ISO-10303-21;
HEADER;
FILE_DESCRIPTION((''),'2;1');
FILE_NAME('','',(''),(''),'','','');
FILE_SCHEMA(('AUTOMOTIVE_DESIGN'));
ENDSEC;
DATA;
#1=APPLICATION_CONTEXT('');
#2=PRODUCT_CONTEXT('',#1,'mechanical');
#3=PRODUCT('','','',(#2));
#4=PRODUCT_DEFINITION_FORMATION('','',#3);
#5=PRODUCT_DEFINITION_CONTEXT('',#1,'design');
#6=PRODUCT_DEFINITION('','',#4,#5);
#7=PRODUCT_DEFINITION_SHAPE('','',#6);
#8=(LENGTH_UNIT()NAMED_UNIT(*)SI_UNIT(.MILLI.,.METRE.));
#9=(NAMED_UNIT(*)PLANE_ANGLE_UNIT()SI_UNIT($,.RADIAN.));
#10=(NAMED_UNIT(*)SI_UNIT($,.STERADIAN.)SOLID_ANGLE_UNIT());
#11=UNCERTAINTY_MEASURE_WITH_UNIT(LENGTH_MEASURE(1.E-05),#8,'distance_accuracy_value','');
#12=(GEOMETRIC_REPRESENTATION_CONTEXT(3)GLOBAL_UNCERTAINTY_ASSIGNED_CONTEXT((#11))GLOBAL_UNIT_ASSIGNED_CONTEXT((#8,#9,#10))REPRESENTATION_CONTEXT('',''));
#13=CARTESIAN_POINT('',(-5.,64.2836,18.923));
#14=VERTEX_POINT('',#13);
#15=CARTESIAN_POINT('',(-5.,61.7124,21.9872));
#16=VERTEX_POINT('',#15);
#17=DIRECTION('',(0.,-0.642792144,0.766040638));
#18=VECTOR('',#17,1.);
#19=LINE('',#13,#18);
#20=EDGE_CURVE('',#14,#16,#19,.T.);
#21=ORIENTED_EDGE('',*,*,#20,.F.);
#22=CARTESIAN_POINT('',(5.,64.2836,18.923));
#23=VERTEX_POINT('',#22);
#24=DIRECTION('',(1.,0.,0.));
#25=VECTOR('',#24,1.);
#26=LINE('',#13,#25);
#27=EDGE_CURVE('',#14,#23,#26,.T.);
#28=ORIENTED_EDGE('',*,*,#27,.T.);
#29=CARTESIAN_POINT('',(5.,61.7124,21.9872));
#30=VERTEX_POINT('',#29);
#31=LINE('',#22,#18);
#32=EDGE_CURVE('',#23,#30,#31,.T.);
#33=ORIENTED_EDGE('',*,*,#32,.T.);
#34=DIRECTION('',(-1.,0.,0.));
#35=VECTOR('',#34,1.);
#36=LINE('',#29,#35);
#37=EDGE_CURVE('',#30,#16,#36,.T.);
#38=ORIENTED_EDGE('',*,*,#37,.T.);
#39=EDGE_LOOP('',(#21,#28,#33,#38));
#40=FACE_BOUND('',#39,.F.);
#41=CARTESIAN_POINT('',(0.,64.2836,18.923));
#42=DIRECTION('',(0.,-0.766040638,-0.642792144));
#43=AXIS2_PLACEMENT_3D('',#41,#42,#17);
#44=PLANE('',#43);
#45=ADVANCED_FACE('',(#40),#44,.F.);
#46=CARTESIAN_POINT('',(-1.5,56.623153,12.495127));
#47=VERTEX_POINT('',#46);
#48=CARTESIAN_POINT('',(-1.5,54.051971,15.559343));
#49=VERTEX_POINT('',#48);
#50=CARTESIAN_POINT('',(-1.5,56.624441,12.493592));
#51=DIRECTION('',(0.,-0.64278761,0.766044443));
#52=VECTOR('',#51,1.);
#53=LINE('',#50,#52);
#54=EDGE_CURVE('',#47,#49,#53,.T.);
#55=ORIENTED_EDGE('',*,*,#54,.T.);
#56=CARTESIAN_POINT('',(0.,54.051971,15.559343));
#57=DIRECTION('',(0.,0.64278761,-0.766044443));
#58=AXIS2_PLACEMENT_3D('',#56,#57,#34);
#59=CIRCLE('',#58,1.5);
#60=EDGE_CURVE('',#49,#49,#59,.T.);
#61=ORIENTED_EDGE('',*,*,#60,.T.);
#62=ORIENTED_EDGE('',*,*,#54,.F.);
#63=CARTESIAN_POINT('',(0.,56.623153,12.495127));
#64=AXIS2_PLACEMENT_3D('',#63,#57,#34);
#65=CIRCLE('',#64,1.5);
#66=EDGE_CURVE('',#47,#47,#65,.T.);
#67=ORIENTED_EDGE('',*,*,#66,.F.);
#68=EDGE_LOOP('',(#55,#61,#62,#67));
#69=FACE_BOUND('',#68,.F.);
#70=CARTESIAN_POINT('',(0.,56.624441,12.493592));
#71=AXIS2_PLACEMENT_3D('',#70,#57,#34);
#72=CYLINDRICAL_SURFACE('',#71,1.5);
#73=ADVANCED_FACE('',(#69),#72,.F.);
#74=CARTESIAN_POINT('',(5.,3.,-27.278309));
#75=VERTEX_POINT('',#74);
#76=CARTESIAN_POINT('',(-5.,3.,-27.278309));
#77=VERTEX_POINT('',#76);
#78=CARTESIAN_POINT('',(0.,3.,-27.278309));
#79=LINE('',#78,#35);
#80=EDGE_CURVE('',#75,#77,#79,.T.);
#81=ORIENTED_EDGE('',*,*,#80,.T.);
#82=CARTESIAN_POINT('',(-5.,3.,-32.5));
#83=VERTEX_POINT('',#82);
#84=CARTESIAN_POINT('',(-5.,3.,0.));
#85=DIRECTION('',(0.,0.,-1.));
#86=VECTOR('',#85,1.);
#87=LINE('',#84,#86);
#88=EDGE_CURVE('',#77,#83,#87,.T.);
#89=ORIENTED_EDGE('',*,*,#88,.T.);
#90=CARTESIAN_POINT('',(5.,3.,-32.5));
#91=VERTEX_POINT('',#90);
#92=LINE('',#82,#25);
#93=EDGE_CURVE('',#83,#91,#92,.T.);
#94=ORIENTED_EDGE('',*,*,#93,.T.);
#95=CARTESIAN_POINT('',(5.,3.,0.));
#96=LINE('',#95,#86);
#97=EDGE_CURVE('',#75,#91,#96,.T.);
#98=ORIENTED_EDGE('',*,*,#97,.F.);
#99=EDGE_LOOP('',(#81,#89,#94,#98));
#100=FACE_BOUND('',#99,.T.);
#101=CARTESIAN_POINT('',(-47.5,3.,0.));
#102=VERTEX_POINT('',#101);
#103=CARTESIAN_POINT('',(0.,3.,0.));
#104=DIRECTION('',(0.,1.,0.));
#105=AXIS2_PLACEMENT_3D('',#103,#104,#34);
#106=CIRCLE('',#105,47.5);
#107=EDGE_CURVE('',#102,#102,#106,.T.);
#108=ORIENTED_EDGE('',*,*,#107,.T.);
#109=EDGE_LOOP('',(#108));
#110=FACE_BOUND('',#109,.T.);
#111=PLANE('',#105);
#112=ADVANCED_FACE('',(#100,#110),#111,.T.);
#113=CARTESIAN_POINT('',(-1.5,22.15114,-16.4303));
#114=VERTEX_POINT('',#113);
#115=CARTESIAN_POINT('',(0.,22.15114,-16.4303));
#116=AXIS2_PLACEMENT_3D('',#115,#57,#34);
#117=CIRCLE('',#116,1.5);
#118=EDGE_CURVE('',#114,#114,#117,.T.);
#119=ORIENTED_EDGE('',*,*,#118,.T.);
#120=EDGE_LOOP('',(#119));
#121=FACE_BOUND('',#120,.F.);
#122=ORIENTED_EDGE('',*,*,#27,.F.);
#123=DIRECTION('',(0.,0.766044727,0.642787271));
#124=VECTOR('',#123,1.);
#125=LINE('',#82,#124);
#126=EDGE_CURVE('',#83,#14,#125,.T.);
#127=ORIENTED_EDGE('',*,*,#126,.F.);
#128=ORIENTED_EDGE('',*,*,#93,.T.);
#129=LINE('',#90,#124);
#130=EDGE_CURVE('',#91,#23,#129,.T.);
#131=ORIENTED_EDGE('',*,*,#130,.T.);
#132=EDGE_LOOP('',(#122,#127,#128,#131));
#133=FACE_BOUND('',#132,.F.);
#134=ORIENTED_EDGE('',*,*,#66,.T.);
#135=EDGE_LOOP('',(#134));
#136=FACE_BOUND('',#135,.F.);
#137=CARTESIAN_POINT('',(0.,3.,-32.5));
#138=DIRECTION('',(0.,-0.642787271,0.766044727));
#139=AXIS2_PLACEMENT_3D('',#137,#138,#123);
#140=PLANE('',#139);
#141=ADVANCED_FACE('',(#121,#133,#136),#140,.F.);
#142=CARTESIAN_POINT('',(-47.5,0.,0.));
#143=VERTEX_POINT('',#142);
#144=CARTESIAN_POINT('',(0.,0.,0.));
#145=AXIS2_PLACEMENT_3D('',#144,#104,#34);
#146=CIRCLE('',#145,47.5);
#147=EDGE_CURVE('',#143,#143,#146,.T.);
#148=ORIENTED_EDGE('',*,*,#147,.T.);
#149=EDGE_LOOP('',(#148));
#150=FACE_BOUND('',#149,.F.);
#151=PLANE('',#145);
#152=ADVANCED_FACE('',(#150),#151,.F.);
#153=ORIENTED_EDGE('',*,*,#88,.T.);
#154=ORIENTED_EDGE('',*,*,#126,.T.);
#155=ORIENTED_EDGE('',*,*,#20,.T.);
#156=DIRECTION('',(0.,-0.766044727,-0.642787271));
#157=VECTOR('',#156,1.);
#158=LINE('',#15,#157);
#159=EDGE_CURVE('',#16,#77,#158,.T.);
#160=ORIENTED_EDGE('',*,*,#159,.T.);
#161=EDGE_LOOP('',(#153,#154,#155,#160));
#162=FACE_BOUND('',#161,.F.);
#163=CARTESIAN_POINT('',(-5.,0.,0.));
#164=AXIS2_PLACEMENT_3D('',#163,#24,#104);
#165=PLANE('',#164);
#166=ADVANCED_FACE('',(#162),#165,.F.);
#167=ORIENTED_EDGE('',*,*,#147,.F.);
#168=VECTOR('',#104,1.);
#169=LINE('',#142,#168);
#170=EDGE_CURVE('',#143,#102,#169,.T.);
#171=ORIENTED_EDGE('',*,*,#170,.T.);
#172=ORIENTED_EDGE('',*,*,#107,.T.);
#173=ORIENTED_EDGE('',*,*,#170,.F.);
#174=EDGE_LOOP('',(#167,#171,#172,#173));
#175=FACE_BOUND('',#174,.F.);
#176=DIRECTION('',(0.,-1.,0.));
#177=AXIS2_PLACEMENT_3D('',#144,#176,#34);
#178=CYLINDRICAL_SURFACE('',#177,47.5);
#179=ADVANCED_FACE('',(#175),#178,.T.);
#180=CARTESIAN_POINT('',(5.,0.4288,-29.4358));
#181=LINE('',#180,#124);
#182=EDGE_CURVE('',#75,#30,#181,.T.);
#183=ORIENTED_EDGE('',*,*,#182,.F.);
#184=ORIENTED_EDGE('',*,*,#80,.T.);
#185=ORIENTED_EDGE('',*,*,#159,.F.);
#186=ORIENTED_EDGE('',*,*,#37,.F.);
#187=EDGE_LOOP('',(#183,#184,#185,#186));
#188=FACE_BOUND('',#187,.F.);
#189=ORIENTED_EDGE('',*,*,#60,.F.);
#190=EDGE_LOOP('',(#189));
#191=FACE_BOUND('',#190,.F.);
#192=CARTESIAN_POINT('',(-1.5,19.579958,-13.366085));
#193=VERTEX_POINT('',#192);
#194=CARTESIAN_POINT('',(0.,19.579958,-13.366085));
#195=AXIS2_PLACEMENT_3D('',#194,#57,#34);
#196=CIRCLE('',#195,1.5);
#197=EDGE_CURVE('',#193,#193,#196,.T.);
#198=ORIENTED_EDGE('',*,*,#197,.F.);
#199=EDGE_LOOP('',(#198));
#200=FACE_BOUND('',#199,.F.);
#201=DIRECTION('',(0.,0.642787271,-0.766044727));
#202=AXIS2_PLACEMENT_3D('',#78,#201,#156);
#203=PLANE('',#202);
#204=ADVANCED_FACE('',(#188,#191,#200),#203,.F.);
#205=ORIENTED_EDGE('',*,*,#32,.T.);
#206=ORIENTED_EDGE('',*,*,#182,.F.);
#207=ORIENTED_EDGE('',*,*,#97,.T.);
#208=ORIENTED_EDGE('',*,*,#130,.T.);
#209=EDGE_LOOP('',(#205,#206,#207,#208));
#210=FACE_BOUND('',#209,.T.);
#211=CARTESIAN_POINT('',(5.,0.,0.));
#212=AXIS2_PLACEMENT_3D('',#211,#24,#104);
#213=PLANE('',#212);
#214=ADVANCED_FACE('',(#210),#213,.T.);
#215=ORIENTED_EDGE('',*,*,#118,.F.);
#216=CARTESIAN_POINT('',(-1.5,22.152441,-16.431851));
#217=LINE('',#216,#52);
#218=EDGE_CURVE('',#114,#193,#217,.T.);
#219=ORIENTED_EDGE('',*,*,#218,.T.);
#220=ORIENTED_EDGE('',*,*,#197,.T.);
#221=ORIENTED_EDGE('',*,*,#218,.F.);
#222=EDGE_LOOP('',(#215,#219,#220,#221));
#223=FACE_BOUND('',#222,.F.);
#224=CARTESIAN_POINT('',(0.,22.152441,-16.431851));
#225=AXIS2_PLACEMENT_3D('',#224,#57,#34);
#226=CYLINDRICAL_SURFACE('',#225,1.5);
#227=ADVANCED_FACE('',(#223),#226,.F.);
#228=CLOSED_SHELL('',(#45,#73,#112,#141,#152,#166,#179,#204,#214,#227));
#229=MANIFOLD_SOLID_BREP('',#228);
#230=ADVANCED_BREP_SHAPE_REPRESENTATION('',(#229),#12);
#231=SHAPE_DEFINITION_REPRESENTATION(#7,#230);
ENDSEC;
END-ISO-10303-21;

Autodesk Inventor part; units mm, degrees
ref_plane "YZ Plane" through (0, 0, 0) normal (1, 0, 0) x (0, 1, 0)
ref_plane "XZ Plane" through (0, 0, 0) normal (0, 1, 0) x (-1, 0, 0)
ref_plane "XY Plane" through (0, 0, 0) normal (0, 0, 1) x (1, 0, 0)
sketch "草圖1" plane through (0, 0, 0) normal (0, 1, 0) x (-1, 0, 0)
  circle A0 centre (0, 0) radius 47.5
  dimension "d0" = 95
extrude "擠出1" add sketch "草圖1" along normal blind 3
sketch "草圖2" plane through (0, 0, 0) normal (1, 0, 0) x (0, 1, 0)
  line L0 (3, -47.5) -> (3, 47.5) projected
  line L1 (0, -47.5) -> (0, 47.5) projected
  line L2 (64.2836, 18.923) -> (61.7124, 21.9872)
  line L3 (61.7124, 21.9872) -> (0.4288, -29.4358)
  line L4 (0.4288, -29.4358) -> (3, -32.5)
  line L5 (3, -32.5) -> (64.2836, 18.923)
  point P0 (0, 0)
  dimension "d3" = 4
  dimension "d4" = 80
  dimension "d5" = 50
  dimension "d6" = 15
extrude "擠出2" add sketch "草圖2" along normal mid plane 10
sketch "草圖3" plane through (5, 64.2836, 18.923) normal (0, 0.6428, -0.766) x (-1, 0, 0)
  line L0 (10, 0) -> (0, 0) projected
  line L1 (0, -80) -> (0, 0) projected
  line L2 (10, -80) -> (0, -80) projected
  line L3 (10, 0) -> (10, -80) projected
  circle A0 centre (5, -10) radius 1.5
  circle A1 centre (5, -55) radius 1.5
  point P0 (5, -61.4075)
  dimension "d9" = 3
  dimension "d10" = 3
  dimension "d11" = 45
  dimension "d15" = 10
extrude "擠出3" cut sketch "草圖3" against normal blind 10 contours A0 | A1
properties part number "CB_middle_v1"
